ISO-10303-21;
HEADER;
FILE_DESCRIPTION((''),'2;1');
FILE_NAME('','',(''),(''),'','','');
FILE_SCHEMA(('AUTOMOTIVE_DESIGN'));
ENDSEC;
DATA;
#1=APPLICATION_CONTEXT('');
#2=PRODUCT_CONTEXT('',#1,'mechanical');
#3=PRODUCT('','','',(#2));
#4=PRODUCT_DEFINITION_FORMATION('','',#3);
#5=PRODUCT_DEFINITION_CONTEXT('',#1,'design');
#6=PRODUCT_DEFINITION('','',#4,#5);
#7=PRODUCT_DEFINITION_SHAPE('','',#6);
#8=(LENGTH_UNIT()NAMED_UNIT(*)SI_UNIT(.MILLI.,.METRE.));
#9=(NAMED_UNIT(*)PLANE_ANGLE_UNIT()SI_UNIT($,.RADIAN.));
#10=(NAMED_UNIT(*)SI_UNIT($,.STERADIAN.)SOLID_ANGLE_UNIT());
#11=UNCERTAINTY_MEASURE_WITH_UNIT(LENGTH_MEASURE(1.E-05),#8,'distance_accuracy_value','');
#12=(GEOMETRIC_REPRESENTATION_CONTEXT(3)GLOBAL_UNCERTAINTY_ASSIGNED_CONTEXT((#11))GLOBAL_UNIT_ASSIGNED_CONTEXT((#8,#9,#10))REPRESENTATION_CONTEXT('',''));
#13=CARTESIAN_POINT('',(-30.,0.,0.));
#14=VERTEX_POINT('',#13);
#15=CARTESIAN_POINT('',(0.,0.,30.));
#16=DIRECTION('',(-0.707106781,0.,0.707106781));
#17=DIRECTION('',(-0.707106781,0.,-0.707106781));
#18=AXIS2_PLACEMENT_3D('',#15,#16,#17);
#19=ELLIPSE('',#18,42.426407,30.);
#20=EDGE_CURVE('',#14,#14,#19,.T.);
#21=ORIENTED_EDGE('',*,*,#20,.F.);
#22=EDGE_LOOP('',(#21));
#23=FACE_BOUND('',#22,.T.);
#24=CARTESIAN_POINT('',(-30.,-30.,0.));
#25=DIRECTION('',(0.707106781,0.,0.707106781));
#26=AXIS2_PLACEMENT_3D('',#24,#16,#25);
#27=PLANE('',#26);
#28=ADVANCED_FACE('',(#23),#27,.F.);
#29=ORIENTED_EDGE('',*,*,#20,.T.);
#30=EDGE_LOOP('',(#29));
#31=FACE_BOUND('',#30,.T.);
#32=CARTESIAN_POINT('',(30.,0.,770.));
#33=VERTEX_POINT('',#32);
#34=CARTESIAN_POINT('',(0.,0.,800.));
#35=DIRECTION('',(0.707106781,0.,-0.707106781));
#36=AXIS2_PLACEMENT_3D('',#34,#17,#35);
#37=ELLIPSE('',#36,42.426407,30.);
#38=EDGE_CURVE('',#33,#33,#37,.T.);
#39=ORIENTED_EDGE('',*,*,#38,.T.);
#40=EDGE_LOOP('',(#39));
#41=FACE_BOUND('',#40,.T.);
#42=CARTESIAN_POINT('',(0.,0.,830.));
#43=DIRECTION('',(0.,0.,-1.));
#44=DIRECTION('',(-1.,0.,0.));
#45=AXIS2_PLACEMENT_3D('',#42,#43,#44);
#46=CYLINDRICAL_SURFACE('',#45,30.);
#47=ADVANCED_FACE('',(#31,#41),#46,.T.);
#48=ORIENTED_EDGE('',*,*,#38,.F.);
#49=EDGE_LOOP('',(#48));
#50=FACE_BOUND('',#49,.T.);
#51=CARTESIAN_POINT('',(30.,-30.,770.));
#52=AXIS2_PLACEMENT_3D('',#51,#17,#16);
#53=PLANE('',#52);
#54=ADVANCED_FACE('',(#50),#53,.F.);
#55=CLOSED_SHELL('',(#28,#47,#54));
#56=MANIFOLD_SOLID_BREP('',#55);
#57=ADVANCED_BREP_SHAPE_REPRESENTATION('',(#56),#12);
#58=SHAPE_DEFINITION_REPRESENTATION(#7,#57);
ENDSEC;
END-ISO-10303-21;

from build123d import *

# Parameters (mm, degrees)
SKETCH1_R           = 30
BOSS_EXTRUDE2_DEPTH = 830
CUT_EXTRUDE4_DEPTH  = 70
CUT_EXTRUDE5_DEPTH  = 70


with BuildPart() as part:
    # Sketch1 → Boss-Extrude2 (new body)
    with BuildSketch(Plane.XY):
        Circle(SKETCH1_R)
    extrude(amount=BOSS_EXTRUDE2_DEPTH)

    # Sketch3 → Cut-Extrude4 (cut)
    with BuildSketch(Plane(origin=(0, 40, 0), x_dir=(1, 0, 0), z_dir=(0, 1, 0))):
        Polygon((-30, 0), (30, -60), (30, 0), align=None)
    extrude(amount=-CUT_EXTRUDE4_DEPTH, mode=Mode.SUBTRACT)

    # Sketch4 → Cut-Extrude5 (cut)
    with BuildSketch(Plane(origin=(0, 40, 0), x_dir=(1, 0, 0), z_dir=(0, 1, 0))):
        Polygon((-30, -830), (30, -830), (30, -770), align=None)
    extrude(amount=-CUT_EXTRUDE5_DEPTH, mode=Mode.SUBTRACT)


solid = part.part
